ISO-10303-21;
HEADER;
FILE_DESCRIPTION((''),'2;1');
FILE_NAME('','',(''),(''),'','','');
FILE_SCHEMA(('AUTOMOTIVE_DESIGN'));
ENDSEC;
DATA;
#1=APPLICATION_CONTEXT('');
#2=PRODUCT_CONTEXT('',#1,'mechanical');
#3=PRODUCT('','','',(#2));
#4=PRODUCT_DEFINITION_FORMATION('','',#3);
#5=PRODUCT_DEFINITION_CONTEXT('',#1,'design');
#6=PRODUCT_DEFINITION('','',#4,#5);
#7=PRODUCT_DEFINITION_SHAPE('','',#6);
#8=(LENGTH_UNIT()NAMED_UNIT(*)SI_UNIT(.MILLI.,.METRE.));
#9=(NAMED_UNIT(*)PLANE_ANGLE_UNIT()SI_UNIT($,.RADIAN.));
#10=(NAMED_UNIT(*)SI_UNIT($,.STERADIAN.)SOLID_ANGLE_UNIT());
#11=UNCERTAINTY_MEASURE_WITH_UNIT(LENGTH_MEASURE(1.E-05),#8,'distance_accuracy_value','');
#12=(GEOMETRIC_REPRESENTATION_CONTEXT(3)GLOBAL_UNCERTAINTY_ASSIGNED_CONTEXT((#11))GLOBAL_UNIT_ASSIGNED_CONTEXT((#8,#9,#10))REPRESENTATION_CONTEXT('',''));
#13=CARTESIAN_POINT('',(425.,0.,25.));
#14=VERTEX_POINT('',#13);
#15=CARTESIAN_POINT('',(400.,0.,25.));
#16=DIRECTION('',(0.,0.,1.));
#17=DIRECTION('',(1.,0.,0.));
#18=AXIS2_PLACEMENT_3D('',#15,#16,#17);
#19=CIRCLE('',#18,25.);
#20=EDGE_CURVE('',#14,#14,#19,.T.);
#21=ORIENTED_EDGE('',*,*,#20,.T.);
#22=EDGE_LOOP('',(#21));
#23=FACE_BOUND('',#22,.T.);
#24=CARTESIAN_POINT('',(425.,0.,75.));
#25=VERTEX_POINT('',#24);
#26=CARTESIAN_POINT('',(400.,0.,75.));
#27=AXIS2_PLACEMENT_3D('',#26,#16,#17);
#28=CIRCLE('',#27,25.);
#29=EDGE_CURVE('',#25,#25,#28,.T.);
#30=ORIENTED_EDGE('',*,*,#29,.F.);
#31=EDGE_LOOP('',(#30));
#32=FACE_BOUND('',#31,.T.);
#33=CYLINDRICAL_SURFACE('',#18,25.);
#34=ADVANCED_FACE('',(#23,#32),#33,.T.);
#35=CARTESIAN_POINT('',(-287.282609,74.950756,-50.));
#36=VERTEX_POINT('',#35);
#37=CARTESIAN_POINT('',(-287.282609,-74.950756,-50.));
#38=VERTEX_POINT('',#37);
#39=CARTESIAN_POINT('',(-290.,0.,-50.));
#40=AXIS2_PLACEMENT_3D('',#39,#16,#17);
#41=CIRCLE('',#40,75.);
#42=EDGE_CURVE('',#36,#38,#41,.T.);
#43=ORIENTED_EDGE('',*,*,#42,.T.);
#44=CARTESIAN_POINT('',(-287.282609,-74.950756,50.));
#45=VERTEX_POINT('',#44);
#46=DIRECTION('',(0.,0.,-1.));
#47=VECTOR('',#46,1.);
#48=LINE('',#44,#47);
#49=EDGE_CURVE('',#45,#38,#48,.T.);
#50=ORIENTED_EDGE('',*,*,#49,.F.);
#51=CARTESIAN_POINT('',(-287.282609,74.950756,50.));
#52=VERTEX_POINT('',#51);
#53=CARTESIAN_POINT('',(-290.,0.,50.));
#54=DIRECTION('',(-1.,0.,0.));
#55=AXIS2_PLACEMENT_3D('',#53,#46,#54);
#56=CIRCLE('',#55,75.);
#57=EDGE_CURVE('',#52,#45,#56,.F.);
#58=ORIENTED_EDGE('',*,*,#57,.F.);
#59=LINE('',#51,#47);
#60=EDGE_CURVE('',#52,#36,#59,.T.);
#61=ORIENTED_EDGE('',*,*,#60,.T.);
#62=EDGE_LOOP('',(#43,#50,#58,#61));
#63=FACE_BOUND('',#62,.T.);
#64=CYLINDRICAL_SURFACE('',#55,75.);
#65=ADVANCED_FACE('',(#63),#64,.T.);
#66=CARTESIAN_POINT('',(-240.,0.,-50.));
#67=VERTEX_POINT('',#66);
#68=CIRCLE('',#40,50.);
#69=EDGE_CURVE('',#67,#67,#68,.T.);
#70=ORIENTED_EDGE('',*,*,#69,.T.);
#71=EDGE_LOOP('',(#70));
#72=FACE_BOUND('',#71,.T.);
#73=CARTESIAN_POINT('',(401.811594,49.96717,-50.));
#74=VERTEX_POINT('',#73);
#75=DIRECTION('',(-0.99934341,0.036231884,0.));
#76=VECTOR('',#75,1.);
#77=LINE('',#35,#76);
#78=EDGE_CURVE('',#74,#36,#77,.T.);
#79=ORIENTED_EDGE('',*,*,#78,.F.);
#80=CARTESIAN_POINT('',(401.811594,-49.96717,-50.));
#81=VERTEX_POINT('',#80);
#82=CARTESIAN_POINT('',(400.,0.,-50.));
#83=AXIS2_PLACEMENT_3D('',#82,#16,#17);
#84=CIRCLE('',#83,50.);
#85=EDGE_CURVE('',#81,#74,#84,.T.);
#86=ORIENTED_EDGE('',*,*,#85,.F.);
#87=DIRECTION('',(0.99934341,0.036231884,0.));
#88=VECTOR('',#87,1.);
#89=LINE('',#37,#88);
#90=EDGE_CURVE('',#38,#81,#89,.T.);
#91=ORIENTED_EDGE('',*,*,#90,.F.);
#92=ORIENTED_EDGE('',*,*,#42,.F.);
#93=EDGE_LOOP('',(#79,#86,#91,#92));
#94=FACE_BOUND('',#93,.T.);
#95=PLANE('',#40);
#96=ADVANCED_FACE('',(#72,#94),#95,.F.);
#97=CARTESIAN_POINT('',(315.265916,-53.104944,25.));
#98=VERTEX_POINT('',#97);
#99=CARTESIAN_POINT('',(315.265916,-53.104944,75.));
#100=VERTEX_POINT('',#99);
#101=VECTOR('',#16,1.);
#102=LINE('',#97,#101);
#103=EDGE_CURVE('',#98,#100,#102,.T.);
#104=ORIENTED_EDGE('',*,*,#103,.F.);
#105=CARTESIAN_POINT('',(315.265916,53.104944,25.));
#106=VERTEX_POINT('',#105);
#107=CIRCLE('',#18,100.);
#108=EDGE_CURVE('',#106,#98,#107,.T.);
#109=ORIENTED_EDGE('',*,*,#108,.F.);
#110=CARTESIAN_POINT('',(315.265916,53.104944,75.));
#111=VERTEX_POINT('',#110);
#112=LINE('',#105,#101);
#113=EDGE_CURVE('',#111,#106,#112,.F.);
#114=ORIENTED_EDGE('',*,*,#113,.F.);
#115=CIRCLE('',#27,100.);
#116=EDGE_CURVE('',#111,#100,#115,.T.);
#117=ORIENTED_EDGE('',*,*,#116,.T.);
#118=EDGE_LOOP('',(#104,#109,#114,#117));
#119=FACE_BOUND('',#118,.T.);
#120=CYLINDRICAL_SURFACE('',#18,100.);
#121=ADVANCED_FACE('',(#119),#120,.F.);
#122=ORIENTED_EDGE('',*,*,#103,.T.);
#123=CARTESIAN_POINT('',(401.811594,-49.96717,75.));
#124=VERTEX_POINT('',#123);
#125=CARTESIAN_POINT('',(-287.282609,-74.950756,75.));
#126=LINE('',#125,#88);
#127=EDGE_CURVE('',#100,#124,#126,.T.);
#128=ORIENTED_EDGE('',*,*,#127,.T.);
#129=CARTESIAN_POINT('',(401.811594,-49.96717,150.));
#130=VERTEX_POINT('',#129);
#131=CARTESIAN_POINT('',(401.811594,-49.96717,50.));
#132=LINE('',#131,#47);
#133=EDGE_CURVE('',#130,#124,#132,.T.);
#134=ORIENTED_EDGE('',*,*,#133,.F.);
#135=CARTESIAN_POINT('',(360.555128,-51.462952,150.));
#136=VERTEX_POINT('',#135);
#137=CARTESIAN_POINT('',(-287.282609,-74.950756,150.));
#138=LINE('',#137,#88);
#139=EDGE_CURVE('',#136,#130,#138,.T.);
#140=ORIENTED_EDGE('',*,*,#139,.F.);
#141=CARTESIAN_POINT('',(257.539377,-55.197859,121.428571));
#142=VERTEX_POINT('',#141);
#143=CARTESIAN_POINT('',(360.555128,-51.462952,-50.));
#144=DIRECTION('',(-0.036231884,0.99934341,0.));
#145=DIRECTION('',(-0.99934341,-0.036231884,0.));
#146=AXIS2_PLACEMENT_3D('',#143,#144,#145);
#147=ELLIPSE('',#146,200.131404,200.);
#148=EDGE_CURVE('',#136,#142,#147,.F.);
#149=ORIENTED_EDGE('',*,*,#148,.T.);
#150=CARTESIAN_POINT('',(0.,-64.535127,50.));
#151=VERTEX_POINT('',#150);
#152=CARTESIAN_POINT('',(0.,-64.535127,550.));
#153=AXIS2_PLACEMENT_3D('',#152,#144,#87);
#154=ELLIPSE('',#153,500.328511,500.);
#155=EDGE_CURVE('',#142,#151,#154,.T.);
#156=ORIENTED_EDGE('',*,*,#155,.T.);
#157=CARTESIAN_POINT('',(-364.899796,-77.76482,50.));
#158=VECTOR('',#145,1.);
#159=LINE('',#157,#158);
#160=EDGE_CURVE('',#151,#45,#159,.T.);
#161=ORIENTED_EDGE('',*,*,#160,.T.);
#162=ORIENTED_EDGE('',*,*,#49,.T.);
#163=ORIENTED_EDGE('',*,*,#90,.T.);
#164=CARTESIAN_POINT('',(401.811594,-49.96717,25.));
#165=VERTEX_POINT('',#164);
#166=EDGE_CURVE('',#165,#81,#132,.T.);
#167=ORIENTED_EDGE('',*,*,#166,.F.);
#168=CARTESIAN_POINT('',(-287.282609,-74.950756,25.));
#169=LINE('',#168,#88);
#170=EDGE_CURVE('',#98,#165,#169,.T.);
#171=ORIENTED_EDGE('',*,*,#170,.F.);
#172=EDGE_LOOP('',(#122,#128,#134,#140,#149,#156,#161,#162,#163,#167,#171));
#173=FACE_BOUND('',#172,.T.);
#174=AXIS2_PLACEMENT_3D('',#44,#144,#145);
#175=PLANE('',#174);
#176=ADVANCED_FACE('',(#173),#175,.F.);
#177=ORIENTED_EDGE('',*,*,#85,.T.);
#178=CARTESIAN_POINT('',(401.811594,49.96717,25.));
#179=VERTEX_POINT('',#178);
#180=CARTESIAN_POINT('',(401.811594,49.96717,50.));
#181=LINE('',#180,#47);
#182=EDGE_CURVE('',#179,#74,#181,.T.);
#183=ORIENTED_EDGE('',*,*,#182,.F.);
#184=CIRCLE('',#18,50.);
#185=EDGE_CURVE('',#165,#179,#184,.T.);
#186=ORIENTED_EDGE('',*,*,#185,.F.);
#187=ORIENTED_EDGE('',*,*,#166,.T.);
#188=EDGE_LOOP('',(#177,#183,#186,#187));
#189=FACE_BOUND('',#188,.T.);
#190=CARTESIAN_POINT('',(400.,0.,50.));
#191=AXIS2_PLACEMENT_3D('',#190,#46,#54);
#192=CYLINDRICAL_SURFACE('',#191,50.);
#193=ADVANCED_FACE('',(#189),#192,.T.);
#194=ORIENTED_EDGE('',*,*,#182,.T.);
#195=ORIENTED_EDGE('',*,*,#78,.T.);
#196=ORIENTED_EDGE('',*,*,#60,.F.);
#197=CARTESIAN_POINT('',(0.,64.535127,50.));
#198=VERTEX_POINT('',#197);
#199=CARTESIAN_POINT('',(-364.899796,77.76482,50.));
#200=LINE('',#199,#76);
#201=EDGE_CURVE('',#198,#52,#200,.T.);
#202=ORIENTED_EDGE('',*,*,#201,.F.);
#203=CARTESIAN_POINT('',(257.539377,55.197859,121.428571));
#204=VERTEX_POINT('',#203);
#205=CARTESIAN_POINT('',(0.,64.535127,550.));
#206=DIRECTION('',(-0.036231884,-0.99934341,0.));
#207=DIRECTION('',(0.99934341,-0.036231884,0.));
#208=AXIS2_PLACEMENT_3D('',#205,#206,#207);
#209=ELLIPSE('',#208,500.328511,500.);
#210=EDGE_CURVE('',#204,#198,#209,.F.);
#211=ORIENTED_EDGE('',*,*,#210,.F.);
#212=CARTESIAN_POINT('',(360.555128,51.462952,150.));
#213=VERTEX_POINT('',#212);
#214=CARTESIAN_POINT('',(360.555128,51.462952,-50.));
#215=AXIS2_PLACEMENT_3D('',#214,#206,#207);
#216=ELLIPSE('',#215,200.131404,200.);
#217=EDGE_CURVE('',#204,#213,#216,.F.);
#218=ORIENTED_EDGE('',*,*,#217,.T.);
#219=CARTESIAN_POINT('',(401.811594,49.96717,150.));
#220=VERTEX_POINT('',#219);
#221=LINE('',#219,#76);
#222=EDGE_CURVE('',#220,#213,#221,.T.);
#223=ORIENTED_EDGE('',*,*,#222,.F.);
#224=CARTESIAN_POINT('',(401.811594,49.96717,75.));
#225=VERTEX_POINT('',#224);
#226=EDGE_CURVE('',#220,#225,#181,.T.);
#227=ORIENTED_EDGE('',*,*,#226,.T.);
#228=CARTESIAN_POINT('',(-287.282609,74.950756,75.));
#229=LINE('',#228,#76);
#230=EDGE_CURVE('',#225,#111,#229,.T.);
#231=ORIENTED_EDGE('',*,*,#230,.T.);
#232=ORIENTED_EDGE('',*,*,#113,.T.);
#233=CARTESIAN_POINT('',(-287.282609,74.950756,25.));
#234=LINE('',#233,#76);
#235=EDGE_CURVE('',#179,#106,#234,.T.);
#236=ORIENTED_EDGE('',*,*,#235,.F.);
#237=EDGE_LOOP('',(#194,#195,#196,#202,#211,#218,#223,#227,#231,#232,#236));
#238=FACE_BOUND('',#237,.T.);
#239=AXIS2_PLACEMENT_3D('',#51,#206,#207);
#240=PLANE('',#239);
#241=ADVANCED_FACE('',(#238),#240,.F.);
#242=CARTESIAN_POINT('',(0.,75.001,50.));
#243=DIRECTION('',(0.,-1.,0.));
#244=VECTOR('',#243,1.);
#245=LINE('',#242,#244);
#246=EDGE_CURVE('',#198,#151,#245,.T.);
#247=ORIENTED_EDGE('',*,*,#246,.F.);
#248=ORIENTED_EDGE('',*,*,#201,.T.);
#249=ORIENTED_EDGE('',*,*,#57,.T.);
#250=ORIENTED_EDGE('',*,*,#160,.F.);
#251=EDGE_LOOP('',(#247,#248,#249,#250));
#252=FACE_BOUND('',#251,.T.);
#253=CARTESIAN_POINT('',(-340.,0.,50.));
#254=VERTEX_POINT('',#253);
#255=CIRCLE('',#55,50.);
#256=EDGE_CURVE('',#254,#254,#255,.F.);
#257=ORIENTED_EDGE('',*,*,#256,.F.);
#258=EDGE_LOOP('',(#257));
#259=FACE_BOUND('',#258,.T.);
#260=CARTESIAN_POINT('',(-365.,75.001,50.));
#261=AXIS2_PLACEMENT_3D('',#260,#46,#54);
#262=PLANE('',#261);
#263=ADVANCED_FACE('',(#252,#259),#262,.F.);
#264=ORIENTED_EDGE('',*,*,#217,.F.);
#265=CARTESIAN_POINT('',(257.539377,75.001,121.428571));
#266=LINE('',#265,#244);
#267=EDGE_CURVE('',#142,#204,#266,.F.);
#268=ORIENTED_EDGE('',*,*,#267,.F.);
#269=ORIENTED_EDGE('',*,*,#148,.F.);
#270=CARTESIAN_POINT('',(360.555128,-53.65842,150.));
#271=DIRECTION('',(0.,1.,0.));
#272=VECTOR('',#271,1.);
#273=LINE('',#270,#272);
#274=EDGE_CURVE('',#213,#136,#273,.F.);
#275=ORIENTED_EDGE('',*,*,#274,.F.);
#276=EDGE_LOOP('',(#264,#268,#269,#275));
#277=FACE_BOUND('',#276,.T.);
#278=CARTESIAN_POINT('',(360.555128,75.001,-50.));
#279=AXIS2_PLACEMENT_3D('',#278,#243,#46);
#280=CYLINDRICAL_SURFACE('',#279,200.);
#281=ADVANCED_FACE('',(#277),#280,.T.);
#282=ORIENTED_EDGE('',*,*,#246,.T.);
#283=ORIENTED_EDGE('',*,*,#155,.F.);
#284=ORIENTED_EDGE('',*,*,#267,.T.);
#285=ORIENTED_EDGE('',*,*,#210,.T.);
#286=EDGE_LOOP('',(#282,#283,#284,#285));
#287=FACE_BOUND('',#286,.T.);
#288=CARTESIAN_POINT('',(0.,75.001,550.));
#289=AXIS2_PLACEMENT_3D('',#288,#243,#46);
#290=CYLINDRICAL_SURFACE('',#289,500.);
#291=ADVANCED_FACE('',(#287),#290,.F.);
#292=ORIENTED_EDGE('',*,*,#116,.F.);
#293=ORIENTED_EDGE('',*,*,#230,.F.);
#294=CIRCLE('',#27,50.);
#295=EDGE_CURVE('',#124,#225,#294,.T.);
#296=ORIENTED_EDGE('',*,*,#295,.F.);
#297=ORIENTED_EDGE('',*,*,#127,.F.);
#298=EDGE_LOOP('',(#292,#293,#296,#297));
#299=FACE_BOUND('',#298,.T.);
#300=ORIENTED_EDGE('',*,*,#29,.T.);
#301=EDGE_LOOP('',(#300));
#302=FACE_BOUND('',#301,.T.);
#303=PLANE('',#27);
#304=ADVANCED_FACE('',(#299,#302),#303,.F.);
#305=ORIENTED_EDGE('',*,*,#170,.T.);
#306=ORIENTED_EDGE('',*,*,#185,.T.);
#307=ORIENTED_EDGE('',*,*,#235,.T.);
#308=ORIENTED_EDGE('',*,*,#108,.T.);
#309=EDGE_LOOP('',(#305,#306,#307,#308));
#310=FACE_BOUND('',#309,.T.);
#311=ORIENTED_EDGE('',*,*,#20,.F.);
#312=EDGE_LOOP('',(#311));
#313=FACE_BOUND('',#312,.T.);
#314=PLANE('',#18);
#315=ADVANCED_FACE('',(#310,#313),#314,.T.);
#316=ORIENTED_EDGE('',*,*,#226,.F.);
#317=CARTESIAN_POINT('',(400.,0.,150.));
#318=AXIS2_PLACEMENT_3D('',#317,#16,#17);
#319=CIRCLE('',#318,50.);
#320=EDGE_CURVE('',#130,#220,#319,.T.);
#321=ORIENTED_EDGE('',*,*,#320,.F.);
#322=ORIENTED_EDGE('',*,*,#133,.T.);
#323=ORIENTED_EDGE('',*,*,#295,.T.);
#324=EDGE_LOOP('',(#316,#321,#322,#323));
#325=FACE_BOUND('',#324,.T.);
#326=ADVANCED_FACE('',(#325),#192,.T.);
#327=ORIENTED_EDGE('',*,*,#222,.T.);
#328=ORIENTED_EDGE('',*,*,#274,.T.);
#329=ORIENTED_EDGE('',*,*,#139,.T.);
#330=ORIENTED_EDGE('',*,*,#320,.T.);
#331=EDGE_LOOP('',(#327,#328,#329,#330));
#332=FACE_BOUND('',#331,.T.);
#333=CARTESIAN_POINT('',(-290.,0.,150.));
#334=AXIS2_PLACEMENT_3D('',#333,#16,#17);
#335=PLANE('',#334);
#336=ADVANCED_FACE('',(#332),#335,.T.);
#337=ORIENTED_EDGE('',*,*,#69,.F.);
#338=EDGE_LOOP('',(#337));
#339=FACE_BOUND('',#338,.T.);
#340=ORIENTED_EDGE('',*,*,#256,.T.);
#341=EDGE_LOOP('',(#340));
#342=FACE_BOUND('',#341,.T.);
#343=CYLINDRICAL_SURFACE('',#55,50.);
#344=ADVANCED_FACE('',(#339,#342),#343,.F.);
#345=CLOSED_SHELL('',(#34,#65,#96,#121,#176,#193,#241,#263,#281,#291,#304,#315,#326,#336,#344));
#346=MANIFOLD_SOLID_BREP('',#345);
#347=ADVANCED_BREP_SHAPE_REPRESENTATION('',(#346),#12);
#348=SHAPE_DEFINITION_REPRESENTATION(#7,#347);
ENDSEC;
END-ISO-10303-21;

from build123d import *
from build123d.topology import SkipClean

# Parameters (mm, degrees)
SKETCH2_R                      = 50
BOSS_EXTRUDE1_DEPTH            = 50
BOSS_EXTRUDE4_START            = 100
SKETCH6_R                      = 50
BOSS_EXTRUDE4_DEPTH            = 100
CUT_EXTRUDE1_DEPTH             = 25
CUT_EXTRUDE1_DEPTH_BACK        = 25
CUT_EXTRUDE1_START             = 50
SKETCH8_R                      = 100
SKETCH8_R_2                    = 25
CUT_EXTRUDE2_REACH             = 482.234
CUT_EXTRUDE2_DIRECTION_2_REACH = 482.234
FILLET1_R                      = 200


with BuildPart() as part:
    # Sketch2 → Boss-Extrude1 (new, symmetric)
    with BuildSketch(Plane.XY):
        with BuildLine():
            Line((-287.282608696, 74.95075573), (401.811594203, 49.967170487))
            ThreePointArc((401.811594203, 49.967170487), (450, 0), (401.811594203, -49.967170487))
            Line((401.811594203, -49.967170487), (-287.282608696, -74.95075573))
            ThreePointArc((-287.282608696, -74.95075573), (-365, 0), (-287.282608696, 74.95075573))
        make_face()
        with Locations((-290, 0)):
            Circle(SKETCH2_R, mode=Mode.SUBTRACT)
    extrude(amount=BOSS_EXTRUDE1_DEPTH, both=True)

    # Sketch6 → Boss-Extrude4 (add)
    with SkipClean():  # the faces are left unmerged after this step: merging them gives an invalid solid
        with BuildSketch(Plane.XY.offset(50).offset(BOSS_EXTRUDE4_START)):
            with BuildLine():
                Line((-287.282608696, -74.95075573), (401.811594203, -49.967170487))
                ThreePointArc((401.811594203, -49.967170487), (450, 0), (401.811594203, 49.967170487))
                Line((401.811594203, 49.967170487), (-287.282608696, 74.95075573))
                ThreePointArc((-287.282608696, 74.95075573), (-365, 0), (-287.282608696, -74.95075573))
            make_face()
            with Locations((-290, 0)):
                Circle(SKETCH6_R, mode=Mode.SUBTRACT)
        extrude(amount=-BOSS_EXTRUDE4_DEPTH)

    # Sketch8 → Cut-Extrude1 (cut, two sides: drawn at the far end of the back side and taken through both)
    with SkipClean():  # the faces are left unmerged after this step: merging them gives an invalid solid
        with BuildSketch(Plane.XY.offset(CUT_EXTRUDE1_START - CUT_EXTRUDE1_DEPTH_BACK)):
            with Locations((400, 0)):
                Circle(SKETCH8_R)
            with Locations((400, 0)):
                Circle(SKETCH8_R_2, mode=Mode.SUBTRACT)
        extrude(amount=CUT_EXTRUDE1_DEPTH + CUT_EXTRUDE1_DEPTH_BACK, mode=Mode.SUBTRACT)

    # Sketch9 → Cut-Extrude2 (cut, up to next)
    with BuildSketch(Plane(origin=(0, 0, 0), x_dir=(1, 0, 0), z_dir=(0, 1, 0)), mode=Mode.PRIVATE) as cut_extrude2_sk1:
        with BuildLine():
            Line((-365, -50), (0, -50))
            ThreePointArc((0, -50), (158.113883008, -75.658350975), (300, -150))
            Line((300, -150), (-365, -150))
            Line((-365, -150), (-365, -50))
        make_face()
    cut_extrude2_tool1 = extrude(cut_extrude2_sk1.sketch, amount=-CUT_EXTRUDE2_REACH, mode=Mode.PRIVATE) & part.part
    add(cut_extrude2_tool1.solids().sort_by_distance((-76.011524, 0, 103.458826))[0], mode=Mode.SUBTRACT)

    # Sketch9 → Cut-Extrude2 direction 2 (cut, up to next)
    with BuildSketch(Plane(origin=(0, 0, 0), x_dir=(1, 0, 0), z_dir=(0, 1, 0)), mode=Mode.PRIVATE) as cut_extrude2_direction_2_sk1:
        with BuildLine():
            Line((-365, -50), (0, -50))
            ThreePointArc((0, -50), (158.113883008, -75.658350975), (300, -150))
            Line((300, -150), (-365, -150))
            Line((-365, -150), (-365, -50))
        make_face()
    cut_extrude2_direction_2_tool1 = extrude(cut_extrude2_direction_2_sk1.sketch, amount=CUT_EXTRUDE2_DIRECTION_2_REACH, mode=Mode.PRIVATE) & part.part
    add(cut_extrude2_direction_2_tool1.solids().sort_by_distance((-76.011524, 0, 103.458826))[0], mode=Mode.SUBTRACT)

    # Fillet1
    fillet1_edges = [part.edges().sort_by_distance(p)[0] for p in [
        (300, 0, 150),
    ]]
    fillet(fillet1_edges, radius=FILLET1_R)


solid = part.part
